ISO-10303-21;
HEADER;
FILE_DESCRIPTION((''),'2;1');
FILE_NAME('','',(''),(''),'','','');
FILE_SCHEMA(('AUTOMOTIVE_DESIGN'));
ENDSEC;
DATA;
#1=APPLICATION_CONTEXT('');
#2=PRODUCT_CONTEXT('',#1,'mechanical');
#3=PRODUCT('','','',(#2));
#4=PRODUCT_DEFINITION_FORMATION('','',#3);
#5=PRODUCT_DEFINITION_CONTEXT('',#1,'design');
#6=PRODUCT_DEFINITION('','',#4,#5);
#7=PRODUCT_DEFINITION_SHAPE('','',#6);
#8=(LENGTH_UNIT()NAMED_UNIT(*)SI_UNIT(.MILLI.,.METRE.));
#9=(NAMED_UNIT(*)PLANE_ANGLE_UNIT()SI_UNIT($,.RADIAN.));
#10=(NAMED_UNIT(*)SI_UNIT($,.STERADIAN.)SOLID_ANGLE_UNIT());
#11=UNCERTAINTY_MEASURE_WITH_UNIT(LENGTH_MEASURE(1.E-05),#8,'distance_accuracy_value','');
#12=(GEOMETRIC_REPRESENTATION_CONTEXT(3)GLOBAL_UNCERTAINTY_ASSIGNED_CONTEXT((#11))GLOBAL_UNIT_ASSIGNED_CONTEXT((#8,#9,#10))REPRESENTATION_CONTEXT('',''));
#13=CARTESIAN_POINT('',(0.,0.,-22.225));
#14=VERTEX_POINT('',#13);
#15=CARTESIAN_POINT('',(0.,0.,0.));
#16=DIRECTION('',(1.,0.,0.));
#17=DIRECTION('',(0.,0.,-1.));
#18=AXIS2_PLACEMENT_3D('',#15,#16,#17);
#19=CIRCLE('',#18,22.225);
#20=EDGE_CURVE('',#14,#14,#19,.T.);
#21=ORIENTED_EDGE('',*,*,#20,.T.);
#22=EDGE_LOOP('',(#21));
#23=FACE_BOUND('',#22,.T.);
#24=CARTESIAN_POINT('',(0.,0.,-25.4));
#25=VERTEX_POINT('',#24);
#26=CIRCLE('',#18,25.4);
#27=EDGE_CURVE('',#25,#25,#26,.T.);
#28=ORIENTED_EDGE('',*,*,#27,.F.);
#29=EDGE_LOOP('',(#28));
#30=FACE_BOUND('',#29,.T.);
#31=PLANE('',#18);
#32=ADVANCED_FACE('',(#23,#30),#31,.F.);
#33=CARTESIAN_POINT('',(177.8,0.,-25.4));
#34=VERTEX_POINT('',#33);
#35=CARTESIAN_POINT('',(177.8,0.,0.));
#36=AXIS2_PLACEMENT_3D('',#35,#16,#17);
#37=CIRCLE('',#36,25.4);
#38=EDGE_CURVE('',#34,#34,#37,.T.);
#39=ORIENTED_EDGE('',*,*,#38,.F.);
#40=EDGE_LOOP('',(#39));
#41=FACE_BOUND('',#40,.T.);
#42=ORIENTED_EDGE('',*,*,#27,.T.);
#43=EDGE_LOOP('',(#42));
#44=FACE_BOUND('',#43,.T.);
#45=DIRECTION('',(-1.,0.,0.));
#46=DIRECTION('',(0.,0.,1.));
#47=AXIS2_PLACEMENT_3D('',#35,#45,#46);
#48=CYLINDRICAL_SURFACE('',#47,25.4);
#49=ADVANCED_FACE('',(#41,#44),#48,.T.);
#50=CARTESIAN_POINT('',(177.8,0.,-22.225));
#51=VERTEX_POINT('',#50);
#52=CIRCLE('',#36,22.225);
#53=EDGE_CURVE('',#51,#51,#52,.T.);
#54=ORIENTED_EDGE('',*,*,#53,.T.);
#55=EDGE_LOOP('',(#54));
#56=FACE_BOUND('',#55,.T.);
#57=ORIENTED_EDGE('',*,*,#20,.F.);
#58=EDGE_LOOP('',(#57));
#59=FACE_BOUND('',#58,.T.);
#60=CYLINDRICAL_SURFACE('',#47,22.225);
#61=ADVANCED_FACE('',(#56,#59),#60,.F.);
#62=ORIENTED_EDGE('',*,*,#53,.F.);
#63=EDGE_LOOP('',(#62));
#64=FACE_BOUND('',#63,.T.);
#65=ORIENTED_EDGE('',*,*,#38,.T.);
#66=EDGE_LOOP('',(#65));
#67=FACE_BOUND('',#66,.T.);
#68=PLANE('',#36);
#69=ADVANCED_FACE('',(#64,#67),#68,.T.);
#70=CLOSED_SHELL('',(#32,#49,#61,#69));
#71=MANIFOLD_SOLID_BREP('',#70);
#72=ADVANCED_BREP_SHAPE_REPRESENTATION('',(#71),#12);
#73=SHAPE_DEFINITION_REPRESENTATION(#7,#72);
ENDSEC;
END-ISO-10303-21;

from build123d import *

# Parameters (mm, degrees)
SKETCH1_R           = 25.4
SKETCH1_R_2         = 22.225
BOSS_EXTRUDE1_DEPTH = 177.8


with BuildPart() as part:
    # Sketch1 → Boss-Extrude1 (new body)
    with BuildSketch(Plane(origin=(0, 0, 0), x_dir=(0, 0, -1), z_dir=(1, 0, 0))):
        Circle(SKETCH1_R)
        Circle(SKETCH1_R_2, mode=Mode.SUBTRACT)
    extrude(amount=BOSS_EXTRUDE1_DEPTH)


solid = part.part
